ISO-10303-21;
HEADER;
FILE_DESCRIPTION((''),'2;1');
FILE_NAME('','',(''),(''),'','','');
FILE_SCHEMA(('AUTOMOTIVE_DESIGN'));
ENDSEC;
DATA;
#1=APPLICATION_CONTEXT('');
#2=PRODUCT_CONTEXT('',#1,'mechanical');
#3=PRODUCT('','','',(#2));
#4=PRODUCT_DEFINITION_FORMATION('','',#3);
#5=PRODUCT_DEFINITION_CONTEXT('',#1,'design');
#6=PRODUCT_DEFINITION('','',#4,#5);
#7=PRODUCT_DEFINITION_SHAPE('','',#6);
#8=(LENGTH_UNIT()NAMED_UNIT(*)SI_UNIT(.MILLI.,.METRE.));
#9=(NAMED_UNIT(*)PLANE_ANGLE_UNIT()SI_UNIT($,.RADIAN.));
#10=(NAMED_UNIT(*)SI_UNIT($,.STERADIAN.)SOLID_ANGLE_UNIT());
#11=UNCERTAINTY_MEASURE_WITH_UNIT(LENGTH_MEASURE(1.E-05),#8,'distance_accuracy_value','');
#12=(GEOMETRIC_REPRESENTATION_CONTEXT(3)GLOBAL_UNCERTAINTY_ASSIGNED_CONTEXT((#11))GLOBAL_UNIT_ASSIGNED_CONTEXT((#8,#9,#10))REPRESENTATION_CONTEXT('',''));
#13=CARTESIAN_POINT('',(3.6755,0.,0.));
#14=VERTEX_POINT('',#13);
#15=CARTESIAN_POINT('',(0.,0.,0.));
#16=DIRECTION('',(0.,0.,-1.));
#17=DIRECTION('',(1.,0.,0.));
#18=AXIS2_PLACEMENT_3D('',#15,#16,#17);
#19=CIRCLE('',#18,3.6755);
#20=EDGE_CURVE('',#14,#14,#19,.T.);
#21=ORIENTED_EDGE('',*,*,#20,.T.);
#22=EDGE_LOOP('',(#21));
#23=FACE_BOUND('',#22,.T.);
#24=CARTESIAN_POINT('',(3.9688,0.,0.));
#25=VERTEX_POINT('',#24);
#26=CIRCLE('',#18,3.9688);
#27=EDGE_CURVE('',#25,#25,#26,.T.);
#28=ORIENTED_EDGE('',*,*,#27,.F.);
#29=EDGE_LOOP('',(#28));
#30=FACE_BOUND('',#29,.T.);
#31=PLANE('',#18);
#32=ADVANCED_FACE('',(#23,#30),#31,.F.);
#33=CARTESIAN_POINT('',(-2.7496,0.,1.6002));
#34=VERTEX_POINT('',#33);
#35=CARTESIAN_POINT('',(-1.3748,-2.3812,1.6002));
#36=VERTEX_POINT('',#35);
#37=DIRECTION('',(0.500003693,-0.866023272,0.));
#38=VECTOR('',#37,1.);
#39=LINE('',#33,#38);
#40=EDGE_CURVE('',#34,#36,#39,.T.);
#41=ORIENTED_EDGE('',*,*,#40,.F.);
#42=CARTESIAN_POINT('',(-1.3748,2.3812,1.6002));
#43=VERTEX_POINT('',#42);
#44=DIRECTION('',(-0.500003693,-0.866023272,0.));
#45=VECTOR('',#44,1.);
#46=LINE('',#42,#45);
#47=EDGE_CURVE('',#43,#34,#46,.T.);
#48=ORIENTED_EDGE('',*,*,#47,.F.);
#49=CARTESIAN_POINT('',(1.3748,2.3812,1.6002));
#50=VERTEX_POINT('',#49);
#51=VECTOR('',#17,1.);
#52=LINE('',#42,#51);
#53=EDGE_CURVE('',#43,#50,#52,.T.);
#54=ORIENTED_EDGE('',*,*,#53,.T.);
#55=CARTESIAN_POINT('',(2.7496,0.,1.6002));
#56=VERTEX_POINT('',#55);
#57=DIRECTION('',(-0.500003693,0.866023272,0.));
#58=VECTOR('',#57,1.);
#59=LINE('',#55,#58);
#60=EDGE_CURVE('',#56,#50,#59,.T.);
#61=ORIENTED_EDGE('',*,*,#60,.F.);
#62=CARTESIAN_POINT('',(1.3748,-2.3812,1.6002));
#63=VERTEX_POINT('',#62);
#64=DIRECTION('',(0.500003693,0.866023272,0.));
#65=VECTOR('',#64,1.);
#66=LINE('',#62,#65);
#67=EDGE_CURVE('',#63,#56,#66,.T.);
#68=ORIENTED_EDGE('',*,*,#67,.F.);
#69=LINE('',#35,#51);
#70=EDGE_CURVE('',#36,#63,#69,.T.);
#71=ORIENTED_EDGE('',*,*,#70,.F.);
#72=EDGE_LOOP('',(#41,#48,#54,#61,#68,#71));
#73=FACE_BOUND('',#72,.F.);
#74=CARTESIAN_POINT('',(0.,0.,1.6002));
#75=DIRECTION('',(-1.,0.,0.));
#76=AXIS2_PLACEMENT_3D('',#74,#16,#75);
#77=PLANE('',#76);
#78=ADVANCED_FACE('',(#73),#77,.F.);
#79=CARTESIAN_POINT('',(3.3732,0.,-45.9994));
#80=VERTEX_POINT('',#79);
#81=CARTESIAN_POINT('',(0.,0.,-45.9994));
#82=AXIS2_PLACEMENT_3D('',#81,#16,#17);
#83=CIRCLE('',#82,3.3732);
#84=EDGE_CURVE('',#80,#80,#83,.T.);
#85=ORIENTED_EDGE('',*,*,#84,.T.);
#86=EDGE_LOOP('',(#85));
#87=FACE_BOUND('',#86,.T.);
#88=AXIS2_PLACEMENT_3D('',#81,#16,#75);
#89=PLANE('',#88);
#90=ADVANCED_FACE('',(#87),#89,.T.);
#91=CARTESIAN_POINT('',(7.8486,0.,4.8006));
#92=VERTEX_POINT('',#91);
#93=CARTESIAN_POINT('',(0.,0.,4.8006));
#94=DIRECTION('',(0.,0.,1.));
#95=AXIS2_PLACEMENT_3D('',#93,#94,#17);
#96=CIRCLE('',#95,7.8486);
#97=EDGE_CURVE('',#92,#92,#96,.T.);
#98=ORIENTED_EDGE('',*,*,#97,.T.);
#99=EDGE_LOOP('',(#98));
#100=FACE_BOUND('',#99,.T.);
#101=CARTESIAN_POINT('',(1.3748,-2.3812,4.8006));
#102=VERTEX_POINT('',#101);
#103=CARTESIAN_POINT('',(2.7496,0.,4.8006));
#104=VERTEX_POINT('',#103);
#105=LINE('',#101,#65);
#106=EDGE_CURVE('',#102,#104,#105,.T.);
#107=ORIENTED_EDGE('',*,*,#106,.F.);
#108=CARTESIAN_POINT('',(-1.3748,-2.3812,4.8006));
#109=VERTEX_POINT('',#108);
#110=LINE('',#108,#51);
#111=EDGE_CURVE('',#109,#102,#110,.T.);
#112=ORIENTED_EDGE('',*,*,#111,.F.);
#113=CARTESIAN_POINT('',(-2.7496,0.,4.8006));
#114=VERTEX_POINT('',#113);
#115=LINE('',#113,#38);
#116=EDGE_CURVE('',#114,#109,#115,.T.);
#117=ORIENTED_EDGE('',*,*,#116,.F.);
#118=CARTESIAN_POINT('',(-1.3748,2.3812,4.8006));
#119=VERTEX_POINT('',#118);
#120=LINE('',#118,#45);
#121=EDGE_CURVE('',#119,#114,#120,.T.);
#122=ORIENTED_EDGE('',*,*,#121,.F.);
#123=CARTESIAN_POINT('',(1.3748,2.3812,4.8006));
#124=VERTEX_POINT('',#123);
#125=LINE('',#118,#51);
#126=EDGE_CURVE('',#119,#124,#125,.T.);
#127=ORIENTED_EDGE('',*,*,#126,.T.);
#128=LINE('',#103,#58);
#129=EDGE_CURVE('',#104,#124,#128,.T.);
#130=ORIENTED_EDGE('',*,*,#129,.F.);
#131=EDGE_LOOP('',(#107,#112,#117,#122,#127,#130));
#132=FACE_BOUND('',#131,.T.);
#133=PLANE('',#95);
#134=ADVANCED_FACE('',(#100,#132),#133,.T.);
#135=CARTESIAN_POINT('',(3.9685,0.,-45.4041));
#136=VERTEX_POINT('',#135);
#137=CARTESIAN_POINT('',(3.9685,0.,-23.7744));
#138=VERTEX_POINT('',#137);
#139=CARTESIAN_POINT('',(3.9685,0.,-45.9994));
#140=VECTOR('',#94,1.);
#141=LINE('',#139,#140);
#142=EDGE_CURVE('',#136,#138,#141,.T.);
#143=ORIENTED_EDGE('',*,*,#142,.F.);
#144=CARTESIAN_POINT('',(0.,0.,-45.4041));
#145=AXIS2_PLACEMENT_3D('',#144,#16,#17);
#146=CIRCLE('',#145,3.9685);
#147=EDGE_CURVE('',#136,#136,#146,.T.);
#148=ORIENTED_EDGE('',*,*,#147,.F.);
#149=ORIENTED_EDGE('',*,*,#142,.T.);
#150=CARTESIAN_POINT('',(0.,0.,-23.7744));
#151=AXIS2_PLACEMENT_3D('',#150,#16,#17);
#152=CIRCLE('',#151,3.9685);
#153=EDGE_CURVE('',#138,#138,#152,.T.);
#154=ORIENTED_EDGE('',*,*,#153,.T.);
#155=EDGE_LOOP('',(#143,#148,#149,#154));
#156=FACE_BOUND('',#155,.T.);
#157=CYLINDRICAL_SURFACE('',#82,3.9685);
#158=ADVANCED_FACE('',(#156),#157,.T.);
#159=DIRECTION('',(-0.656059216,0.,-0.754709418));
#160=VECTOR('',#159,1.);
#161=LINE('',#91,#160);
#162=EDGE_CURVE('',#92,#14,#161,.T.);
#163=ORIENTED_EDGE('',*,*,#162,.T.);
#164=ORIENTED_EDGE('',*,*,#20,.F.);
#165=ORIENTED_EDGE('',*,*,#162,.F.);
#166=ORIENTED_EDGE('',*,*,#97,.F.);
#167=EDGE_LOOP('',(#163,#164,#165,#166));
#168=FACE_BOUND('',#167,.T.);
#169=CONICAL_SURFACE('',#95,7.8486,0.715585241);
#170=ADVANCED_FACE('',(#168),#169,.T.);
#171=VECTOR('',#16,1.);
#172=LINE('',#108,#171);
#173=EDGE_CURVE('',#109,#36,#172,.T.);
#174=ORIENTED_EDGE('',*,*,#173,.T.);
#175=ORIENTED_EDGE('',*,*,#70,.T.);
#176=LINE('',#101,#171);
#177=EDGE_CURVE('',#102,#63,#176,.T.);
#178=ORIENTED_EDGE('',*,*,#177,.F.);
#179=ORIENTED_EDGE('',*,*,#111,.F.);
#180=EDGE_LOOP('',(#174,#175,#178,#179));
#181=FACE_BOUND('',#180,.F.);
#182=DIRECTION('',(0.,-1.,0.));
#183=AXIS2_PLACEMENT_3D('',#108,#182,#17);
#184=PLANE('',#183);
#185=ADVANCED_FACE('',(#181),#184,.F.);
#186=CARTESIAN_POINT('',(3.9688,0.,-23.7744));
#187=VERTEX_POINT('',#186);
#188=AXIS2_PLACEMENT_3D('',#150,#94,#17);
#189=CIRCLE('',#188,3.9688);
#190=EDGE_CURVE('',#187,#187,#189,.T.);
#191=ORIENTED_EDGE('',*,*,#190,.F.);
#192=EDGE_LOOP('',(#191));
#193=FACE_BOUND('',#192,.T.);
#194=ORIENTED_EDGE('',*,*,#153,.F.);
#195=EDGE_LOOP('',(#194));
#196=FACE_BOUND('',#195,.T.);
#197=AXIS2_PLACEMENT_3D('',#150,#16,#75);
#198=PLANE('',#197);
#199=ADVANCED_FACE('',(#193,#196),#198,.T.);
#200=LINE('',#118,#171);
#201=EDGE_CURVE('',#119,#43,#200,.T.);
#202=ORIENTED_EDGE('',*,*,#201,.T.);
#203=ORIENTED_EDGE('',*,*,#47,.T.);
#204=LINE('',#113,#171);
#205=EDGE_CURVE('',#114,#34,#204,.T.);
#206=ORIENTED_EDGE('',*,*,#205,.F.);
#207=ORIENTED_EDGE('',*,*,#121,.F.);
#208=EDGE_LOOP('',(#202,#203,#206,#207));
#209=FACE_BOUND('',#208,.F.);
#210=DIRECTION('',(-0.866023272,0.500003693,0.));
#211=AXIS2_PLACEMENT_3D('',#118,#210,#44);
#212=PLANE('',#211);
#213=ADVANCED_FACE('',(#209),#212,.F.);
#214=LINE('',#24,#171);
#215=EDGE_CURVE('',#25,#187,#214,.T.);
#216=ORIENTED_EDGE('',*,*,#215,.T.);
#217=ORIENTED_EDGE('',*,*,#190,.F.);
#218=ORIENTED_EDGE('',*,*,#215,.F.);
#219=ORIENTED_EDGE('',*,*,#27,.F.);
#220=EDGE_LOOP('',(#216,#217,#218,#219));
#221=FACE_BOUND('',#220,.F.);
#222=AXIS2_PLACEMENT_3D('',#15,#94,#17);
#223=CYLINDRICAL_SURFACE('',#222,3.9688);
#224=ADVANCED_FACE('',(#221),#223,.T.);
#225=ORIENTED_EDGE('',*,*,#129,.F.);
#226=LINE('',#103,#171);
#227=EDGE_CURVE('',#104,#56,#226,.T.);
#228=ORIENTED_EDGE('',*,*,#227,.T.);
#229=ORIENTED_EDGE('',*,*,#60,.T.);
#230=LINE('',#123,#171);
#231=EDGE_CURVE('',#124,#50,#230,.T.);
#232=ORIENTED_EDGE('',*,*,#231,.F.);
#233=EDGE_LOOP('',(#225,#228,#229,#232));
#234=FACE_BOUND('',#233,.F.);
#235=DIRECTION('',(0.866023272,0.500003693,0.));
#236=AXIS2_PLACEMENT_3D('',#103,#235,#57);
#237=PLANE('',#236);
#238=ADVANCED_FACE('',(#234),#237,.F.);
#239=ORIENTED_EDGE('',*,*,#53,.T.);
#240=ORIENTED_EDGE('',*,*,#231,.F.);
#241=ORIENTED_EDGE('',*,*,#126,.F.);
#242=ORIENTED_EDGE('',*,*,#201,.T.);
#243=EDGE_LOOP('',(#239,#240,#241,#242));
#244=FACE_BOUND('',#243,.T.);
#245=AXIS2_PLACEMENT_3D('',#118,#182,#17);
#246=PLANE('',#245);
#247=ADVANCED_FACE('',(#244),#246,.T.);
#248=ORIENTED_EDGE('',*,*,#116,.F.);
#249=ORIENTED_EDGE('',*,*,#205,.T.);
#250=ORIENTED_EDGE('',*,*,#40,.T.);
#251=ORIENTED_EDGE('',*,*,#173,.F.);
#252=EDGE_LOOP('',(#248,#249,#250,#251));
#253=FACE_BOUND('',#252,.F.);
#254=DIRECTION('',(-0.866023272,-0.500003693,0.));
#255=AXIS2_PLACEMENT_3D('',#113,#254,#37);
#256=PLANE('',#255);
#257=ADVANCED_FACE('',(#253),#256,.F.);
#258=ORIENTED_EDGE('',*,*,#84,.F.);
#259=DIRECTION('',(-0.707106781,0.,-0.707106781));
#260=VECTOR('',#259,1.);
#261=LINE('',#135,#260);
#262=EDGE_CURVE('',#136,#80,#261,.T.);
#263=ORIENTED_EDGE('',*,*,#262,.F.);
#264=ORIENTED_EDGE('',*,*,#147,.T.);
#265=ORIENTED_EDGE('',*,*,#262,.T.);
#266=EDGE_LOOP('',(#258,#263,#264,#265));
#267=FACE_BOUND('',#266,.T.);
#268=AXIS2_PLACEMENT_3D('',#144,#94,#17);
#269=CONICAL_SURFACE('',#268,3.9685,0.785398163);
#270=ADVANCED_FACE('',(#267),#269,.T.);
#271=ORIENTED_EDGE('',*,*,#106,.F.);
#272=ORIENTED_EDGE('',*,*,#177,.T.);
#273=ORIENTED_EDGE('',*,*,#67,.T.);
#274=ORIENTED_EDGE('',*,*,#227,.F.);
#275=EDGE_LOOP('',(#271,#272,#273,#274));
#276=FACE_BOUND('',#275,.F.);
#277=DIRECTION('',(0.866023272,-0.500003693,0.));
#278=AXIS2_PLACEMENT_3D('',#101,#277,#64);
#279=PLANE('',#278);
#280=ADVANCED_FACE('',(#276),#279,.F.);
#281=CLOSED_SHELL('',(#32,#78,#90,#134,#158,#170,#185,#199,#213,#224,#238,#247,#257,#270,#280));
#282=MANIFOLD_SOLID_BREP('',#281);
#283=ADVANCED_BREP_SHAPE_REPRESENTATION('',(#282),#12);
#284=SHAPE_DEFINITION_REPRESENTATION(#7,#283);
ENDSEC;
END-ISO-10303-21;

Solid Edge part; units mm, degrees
sketch "Sketch1" plane through (0, 0, 0) normal (0, 0, 1) x (1, 0, 0)
  circle A0 centre (0, 0) radius 7.8486
  dimension "D1" = 15.6972
extrude "Protrusion1" add sketch "Sketch1" along normal blind 4.8006
sketch "Sketch2" plane through (0, 0, 0) normal (0, 0, -1) x (1, 0, 0)
  circle A0 centre (0, 0) radius 3.9688
extrude "Protrusion2" add sketch "Sketch2" along normal blind 45.9994
sketch "Sketch3" plane through (0, 0, -45.9994) normal (0, 0, -1) x (1, 0, 0)
  circle A0 centre (0, 0) radius 3.9685
extrude "Cutout1" cut sketch "Sketch3" against normal blind 22.225 flip side to cut
chamfer "Chamfer_1" distance 0.5953 angle 45 1 edges at (-3.9685, 0, -45.9994)
sketch "Sketch4" plane through (0, 0, 4.8006) normal (0, 0, 1) x (1, 0, 0)
  line L0 (-1.3748, 2.3812) -> (1.3748, 2.3812)
  line L1 (2.7496, 0) -> (1.3748, 2.3812)
  line L2 (1.3748, -2.3812) -> (2.7496, 0)
  line L3 (-1.3748, -2.3812) -> (1.3748, -2.3812)
  line L4 (-2.7496, 0) -> (-1.3748, -2.3812)
  line L5 (-1.3748, 2.3812) -> (-2.7496, 0)
  dimension "D1" = 4.7625
extrude "Cutout2" cut sketch "Sketch4" against normal blind 3.2004
sketch "Sketch5" plane through (0, 0, 0) normal (0, -1, 0) x (1, 0, 0)
  line L0 (7.8486, 4.8006) -> (3.6755, 0)
  line L1 (3.6755, 0) -> (7.8486, 0)
  line L2 (7.8486, 0) -> (7.8486, 4.8006)
revolve "RevolvedCutout1" cut sketch "Sketch5" angle 360 about axis through (0, 0, 14.0017) along (0, 0, -1)
properties part number "108896"
